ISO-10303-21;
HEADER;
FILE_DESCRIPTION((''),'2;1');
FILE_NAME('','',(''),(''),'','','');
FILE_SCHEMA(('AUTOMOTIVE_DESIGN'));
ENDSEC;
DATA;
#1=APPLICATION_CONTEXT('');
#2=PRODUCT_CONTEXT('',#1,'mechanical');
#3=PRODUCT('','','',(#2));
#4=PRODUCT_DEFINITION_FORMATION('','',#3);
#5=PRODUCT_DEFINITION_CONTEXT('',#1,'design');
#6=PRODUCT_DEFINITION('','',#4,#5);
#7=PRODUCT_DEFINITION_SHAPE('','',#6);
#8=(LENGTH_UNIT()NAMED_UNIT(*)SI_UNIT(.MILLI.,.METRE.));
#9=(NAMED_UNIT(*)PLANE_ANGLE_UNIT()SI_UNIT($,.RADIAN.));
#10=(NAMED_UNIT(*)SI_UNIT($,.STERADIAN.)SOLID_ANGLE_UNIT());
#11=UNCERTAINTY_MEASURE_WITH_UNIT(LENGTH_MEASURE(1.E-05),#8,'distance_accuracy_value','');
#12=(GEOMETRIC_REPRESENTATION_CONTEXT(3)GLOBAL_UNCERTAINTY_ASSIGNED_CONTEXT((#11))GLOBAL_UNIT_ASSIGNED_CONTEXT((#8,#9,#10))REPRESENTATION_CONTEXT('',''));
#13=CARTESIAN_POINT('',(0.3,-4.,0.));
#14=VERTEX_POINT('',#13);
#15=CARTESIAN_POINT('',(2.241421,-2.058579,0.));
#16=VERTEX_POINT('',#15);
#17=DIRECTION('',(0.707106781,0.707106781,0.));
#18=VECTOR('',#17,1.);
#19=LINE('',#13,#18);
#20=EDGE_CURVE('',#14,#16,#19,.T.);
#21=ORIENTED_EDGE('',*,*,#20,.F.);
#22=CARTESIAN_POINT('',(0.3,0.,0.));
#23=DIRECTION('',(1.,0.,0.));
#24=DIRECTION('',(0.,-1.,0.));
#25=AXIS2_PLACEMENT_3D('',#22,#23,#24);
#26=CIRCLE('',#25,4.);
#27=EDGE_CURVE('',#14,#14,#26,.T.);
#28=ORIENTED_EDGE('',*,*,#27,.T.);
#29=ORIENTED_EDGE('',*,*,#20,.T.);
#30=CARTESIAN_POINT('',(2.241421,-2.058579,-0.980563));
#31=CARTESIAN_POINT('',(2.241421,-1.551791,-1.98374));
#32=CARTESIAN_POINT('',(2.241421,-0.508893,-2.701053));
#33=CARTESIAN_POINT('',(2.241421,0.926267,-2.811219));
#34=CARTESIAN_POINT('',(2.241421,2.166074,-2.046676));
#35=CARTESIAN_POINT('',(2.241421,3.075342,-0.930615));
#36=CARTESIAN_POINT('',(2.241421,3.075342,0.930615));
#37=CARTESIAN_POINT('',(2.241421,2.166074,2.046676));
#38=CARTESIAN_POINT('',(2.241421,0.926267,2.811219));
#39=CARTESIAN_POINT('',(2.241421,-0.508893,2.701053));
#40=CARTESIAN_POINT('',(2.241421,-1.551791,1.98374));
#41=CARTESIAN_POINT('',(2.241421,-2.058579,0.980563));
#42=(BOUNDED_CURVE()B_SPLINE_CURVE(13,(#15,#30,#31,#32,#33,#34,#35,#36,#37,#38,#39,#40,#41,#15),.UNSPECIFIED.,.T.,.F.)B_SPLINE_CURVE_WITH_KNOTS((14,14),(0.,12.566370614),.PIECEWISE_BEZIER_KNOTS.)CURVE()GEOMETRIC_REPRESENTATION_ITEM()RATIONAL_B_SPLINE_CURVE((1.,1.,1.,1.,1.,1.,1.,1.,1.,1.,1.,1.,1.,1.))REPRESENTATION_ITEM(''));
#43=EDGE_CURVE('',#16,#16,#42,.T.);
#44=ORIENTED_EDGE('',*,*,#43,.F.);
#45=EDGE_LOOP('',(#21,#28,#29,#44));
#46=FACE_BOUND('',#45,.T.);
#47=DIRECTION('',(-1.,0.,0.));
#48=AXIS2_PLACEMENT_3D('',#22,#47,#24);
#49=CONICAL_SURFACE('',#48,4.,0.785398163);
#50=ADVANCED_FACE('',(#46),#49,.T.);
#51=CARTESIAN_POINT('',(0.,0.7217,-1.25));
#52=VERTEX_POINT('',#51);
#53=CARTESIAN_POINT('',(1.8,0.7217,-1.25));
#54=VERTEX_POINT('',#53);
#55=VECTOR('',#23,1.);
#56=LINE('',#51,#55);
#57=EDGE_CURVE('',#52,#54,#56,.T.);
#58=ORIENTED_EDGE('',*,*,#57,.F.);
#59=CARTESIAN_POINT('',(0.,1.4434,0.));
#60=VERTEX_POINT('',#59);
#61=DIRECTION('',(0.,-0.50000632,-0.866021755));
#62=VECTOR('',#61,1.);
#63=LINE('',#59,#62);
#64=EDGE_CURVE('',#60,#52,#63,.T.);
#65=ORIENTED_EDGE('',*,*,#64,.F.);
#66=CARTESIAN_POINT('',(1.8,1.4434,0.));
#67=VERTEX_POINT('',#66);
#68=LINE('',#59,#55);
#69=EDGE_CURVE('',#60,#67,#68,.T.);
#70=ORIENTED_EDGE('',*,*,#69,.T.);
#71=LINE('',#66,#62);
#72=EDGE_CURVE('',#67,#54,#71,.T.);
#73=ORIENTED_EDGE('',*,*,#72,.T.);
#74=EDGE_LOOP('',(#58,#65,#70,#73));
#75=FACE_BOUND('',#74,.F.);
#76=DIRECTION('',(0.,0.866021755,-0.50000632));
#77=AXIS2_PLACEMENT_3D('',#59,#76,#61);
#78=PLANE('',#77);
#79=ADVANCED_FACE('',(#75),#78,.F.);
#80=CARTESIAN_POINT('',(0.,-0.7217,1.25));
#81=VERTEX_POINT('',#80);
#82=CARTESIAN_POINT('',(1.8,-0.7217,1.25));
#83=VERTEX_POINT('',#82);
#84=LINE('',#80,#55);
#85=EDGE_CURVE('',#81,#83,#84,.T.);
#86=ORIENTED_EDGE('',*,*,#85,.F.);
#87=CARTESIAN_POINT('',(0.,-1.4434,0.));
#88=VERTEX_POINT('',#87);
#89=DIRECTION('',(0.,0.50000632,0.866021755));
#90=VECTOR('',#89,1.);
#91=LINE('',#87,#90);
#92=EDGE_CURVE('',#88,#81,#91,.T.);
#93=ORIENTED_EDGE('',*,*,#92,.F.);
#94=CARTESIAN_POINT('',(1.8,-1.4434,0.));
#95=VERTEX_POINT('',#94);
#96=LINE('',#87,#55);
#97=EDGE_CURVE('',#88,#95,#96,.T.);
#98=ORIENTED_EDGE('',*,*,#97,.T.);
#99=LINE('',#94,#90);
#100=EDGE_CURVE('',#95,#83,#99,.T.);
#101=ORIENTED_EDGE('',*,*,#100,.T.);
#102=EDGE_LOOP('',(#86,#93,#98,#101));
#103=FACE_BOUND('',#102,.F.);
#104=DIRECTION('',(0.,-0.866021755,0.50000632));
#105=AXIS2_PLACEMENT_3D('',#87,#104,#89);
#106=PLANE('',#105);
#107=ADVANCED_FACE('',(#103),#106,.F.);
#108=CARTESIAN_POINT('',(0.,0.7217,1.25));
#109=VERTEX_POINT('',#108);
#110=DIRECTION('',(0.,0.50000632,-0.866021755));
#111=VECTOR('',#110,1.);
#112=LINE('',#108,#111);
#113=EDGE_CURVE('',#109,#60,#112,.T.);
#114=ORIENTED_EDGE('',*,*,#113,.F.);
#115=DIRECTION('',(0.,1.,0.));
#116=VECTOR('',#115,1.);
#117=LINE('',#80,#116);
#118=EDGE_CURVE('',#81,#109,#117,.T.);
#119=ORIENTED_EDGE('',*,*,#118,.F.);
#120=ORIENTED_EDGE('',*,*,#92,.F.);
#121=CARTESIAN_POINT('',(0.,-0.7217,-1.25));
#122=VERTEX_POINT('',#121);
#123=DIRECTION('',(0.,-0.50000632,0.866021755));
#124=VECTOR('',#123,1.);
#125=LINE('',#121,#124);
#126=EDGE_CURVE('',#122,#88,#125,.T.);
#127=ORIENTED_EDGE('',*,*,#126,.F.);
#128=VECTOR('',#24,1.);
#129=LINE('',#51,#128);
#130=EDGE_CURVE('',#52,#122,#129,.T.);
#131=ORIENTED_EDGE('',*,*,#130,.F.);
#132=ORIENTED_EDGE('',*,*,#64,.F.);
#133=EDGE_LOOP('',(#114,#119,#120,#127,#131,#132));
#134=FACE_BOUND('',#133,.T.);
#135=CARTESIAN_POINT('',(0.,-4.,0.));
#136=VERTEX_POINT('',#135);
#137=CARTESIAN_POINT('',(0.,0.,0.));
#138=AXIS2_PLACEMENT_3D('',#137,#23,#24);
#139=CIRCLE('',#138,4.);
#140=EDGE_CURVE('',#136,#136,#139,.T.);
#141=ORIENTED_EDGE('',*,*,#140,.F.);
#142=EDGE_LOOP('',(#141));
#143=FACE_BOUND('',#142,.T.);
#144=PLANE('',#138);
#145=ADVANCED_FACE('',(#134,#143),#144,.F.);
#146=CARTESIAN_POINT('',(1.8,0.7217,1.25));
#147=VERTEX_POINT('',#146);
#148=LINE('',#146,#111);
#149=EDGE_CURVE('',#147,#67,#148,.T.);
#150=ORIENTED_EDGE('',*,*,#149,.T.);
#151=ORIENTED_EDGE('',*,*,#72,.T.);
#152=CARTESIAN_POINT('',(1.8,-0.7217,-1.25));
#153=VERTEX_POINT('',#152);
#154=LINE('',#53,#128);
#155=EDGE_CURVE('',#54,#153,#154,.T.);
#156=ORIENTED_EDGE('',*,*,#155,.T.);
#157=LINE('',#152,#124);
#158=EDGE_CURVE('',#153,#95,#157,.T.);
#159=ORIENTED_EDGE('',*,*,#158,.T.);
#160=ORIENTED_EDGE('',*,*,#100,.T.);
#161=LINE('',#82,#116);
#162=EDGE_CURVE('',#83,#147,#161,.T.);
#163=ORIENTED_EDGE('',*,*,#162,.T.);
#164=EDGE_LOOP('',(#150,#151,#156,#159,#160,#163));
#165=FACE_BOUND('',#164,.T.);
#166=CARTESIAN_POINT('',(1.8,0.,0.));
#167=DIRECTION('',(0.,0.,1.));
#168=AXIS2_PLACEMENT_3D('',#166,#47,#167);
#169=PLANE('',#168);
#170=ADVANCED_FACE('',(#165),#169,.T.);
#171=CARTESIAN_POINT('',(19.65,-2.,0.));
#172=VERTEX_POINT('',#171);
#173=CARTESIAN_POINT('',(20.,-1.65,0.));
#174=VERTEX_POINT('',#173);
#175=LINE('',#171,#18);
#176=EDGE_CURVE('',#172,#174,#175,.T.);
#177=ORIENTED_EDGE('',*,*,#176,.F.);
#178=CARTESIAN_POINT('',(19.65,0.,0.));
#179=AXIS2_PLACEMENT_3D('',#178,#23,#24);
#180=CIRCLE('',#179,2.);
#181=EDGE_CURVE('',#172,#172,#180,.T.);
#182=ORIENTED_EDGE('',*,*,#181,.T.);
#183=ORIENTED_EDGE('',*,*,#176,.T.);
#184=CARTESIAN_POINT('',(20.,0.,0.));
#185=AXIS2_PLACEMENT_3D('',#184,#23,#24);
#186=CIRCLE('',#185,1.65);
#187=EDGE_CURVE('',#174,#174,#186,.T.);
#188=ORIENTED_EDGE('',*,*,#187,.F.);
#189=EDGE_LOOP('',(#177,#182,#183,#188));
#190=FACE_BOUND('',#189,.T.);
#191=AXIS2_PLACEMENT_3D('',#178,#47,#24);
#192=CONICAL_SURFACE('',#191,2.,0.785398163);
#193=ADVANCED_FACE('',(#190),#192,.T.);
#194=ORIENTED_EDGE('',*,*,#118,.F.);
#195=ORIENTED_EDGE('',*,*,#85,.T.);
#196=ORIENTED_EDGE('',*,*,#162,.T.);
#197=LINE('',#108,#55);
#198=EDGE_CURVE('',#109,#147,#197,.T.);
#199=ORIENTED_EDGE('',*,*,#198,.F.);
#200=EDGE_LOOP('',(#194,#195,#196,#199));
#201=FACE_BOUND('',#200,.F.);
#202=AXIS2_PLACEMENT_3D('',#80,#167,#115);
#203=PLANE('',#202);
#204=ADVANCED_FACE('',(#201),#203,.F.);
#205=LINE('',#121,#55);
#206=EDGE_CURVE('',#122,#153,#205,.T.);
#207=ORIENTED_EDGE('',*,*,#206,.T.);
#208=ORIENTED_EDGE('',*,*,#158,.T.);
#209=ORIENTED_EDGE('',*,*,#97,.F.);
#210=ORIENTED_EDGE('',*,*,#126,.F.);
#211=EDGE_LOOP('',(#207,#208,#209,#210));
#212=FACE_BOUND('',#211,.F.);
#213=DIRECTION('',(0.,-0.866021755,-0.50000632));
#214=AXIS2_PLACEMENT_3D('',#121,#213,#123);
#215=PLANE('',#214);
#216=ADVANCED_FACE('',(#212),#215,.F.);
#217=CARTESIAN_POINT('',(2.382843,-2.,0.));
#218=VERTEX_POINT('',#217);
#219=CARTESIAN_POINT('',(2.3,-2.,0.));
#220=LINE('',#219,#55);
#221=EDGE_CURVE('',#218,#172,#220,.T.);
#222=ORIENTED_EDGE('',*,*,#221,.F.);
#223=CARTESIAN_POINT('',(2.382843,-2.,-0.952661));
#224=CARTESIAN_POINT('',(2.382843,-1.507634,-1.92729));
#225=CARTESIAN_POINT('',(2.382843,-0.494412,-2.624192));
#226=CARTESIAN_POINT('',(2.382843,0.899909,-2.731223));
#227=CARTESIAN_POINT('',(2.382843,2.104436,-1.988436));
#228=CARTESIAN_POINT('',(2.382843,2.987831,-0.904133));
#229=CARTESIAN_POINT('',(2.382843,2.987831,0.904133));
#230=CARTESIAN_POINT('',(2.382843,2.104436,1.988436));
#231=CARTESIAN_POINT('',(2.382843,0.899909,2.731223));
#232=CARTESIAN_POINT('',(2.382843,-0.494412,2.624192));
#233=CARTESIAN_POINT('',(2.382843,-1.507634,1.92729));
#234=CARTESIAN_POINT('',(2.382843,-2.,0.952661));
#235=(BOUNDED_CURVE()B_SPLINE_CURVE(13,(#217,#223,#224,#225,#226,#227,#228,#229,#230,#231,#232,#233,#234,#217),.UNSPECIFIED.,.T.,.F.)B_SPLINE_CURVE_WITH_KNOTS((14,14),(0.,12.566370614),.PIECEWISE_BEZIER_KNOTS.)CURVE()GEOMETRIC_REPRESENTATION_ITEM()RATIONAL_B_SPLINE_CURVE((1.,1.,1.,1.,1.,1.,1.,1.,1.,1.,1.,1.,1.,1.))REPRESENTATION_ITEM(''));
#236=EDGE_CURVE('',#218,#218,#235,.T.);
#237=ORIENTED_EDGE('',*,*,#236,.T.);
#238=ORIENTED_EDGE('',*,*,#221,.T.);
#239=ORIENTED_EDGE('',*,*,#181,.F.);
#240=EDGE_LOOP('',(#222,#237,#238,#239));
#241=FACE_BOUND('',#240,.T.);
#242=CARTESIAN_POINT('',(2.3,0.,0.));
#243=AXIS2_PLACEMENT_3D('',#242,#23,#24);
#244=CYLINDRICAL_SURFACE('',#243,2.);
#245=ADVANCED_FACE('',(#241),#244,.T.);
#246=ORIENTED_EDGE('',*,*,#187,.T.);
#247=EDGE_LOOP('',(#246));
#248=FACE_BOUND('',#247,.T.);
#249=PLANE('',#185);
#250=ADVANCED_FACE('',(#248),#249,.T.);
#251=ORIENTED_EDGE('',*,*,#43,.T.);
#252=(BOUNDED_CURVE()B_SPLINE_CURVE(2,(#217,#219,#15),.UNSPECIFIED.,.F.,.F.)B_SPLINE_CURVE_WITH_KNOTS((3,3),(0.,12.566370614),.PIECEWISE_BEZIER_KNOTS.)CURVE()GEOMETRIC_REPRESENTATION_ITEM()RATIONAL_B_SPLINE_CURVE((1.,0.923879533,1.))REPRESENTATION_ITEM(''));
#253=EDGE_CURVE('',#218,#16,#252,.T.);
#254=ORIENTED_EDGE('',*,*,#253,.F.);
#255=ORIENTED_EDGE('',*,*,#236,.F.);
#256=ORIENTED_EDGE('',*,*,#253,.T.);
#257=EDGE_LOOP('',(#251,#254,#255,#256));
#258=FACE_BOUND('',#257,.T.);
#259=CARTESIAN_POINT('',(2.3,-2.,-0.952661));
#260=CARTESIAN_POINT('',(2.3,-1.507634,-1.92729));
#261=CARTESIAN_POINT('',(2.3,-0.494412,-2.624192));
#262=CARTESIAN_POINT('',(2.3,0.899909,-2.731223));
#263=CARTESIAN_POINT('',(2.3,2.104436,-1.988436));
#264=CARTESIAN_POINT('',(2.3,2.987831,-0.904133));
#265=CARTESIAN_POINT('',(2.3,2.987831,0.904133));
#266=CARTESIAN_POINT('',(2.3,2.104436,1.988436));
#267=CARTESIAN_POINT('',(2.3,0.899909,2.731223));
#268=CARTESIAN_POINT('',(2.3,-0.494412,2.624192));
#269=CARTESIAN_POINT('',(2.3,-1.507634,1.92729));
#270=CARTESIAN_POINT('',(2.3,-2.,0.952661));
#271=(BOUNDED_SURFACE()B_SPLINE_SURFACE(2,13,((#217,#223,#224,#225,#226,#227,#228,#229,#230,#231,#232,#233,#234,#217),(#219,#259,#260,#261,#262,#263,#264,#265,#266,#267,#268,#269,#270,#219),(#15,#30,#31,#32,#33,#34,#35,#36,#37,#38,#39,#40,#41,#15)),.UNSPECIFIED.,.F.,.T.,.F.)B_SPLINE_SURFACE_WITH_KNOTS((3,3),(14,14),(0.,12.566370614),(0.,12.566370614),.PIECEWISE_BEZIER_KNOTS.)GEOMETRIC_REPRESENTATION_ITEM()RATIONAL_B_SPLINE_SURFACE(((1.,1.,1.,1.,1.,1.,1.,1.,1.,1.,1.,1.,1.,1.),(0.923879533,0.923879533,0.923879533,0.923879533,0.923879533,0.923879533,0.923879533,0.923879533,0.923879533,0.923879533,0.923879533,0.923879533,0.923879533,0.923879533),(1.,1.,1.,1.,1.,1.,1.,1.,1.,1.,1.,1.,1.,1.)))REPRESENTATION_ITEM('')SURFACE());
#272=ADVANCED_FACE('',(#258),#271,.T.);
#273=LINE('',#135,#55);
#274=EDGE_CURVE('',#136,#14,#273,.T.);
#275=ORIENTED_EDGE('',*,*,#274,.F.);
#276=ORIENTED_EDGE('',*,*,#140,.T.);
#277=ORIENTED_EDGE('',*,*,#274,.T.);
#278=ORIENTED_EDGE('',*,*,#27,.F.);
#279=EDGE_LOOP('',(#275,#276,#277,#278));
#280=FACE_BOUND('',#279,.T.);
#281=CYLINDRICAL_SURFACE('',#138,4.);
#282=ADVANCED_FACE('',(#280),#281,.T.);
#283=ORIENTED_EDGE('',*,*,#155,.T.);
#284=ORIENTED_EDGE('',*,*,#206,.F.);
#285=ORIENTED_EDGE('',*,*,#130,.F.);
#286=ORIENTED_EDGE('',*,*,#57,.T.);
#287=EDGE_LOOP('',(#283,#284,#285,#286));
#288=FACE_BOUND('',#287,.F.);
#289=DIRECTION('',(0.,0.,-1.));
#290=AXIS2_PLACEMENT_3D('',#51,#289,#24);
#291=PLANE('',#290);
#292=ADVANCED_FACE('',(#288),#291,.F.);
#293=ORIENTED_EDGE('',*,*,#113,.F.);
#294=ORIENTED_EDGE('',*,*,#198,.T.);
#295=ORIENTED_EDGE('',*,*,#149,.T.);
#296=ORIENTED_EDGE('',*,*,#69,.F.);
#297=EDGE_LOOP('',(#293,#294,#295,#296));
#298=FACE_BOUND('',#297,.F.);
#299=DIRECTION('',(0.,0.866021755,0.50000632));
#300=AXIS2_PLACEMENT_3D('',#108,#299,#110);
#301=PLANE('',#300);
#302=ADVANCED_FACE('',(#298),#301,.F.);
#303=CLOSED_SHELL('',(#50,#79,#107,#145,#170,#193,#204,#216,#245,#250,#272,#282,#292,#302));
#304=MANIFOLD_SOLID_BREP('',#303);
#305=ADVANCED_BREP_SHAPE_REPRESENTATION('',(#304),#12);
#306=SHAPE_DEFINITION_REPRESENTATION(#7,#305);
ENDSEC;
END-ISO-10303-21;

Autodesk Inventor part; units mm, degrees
ref_plane "YZ Plane" through (0, 0, 0) normal (1, 0, 0) x (0, 1, 0)
sketch "Sketch1" plane through (0, 0, 0) normal (0, 1, 0) x (-1, 0, 0)
  point P0 (0, 0)
sketch "Sketch2" plane through (0, 0, 0) normal (0, 0, 1) x (-1, 0, 0)
  line L0 (-20, 2) -> (-20, 0)
  line L1 (-2.3, 2) -> (-20, 2)
  line L2 (-0.3, 4) -> (-2.3, 2)
  line L3 (0, 4) -> (-0.3, 4)
  line L4 (0, 0) -> (0, 4)
  line L5 (-20, 0) -> (0, 0)
  line L6 (-20, 0) -> (0, 0)
  line L7 (0, -9.6) -> (0, 1.6) projected
  line L8 (4, 0) -> (-24, 0) projected
  dimension "ParC" = 0.3
  dimension "d43" = 45
  dimension "d44" = 4
  dimension "d45" = 2
  dimension "d46" = 20
  dimension "d47" = 0
  dimension "d48" = 0
revolve "Revolution1" add sketch "Sketch2" angle 360 about axis through (20, 0, 0) along (1, 0, 0)
sketch "Sketch3" plane through (0, 0, 0) normal (-1, 0, 0) x (0, 0, 1)
  line L0 (-1.25, 0.7217) -> (-1.25, -0.7217)
  line L1 (0, 1.4434) -> (-1.25, 0.7217)
  line L2 (1.25, 0.7217) -> (0, 1.4434)
  line L3 (1.25, -0.7217) -> (1.25, 0.7217)
  line L4 (0, -1.4434) -> (1.25, -0.7217)
  line L5 (-1.25, -0.7217) -> (0, -1.4434)
  circle A0 centre (0, 0) radius 1.25 construction
  circle A1 centre (0, 0) radius 2 construction
  dimension "d11" = 2.5
  dimension "d13" = 120
  dimension "d15" = 120
extrude "Extrusion1" cut sketch "Sketch3" against normal blind 1.8
fillet "Fillet1" radius 0.2 1 edges at (2.3, 2, 0)
chamfer "Chamfer1" distance 0.35 angle 45 1 edges at (20, 2, 0) measured on face at (14.1276, 0.9288, -1.7713)
thread "Thread1" size "M4x0.7" class "6g" standard "ISO Metric profile" length 14
ref_plane "MSC_PF1" through (0, 0, 0) normal (1, 0, 0) x (0, 1, 0)
ref_plane "MSC_PT1" through (0, 0, 0) normal (1, 0, 0) x (0, 1, 0)
equation "\"d18\" = r"
equation "\"d19\" = 0.5 * PTC"
equation "\"d39\" = 0.5 * PTC"
equation "\"d43\" = 0.5 * ang"
equation "\"d44\" = 0.5 * dk"
equation "\"d45\" = 0.5 * NND"
equation "\"d46\" = NLG"
equation "\"d11\" = ParS"
equation "\"d16\" = ParT"
equation "\"NND\" = 4"
equation "\"PTC\" = 0.7"
equation "\"dk\" = 8"
equation "\"ParK\" = 2.3"
equation "\"ParS\" = 2.5"
equation "\"ParT\" = 1.8"
equation "\"r\" = 0.2"
equation "\"NLG\" = 20"
equation "\"ang\" = 90deg"
equation "\"THREADDIA\" = NND"
properties part number "ISO 10642 - M4 x  20" material "Steel"
